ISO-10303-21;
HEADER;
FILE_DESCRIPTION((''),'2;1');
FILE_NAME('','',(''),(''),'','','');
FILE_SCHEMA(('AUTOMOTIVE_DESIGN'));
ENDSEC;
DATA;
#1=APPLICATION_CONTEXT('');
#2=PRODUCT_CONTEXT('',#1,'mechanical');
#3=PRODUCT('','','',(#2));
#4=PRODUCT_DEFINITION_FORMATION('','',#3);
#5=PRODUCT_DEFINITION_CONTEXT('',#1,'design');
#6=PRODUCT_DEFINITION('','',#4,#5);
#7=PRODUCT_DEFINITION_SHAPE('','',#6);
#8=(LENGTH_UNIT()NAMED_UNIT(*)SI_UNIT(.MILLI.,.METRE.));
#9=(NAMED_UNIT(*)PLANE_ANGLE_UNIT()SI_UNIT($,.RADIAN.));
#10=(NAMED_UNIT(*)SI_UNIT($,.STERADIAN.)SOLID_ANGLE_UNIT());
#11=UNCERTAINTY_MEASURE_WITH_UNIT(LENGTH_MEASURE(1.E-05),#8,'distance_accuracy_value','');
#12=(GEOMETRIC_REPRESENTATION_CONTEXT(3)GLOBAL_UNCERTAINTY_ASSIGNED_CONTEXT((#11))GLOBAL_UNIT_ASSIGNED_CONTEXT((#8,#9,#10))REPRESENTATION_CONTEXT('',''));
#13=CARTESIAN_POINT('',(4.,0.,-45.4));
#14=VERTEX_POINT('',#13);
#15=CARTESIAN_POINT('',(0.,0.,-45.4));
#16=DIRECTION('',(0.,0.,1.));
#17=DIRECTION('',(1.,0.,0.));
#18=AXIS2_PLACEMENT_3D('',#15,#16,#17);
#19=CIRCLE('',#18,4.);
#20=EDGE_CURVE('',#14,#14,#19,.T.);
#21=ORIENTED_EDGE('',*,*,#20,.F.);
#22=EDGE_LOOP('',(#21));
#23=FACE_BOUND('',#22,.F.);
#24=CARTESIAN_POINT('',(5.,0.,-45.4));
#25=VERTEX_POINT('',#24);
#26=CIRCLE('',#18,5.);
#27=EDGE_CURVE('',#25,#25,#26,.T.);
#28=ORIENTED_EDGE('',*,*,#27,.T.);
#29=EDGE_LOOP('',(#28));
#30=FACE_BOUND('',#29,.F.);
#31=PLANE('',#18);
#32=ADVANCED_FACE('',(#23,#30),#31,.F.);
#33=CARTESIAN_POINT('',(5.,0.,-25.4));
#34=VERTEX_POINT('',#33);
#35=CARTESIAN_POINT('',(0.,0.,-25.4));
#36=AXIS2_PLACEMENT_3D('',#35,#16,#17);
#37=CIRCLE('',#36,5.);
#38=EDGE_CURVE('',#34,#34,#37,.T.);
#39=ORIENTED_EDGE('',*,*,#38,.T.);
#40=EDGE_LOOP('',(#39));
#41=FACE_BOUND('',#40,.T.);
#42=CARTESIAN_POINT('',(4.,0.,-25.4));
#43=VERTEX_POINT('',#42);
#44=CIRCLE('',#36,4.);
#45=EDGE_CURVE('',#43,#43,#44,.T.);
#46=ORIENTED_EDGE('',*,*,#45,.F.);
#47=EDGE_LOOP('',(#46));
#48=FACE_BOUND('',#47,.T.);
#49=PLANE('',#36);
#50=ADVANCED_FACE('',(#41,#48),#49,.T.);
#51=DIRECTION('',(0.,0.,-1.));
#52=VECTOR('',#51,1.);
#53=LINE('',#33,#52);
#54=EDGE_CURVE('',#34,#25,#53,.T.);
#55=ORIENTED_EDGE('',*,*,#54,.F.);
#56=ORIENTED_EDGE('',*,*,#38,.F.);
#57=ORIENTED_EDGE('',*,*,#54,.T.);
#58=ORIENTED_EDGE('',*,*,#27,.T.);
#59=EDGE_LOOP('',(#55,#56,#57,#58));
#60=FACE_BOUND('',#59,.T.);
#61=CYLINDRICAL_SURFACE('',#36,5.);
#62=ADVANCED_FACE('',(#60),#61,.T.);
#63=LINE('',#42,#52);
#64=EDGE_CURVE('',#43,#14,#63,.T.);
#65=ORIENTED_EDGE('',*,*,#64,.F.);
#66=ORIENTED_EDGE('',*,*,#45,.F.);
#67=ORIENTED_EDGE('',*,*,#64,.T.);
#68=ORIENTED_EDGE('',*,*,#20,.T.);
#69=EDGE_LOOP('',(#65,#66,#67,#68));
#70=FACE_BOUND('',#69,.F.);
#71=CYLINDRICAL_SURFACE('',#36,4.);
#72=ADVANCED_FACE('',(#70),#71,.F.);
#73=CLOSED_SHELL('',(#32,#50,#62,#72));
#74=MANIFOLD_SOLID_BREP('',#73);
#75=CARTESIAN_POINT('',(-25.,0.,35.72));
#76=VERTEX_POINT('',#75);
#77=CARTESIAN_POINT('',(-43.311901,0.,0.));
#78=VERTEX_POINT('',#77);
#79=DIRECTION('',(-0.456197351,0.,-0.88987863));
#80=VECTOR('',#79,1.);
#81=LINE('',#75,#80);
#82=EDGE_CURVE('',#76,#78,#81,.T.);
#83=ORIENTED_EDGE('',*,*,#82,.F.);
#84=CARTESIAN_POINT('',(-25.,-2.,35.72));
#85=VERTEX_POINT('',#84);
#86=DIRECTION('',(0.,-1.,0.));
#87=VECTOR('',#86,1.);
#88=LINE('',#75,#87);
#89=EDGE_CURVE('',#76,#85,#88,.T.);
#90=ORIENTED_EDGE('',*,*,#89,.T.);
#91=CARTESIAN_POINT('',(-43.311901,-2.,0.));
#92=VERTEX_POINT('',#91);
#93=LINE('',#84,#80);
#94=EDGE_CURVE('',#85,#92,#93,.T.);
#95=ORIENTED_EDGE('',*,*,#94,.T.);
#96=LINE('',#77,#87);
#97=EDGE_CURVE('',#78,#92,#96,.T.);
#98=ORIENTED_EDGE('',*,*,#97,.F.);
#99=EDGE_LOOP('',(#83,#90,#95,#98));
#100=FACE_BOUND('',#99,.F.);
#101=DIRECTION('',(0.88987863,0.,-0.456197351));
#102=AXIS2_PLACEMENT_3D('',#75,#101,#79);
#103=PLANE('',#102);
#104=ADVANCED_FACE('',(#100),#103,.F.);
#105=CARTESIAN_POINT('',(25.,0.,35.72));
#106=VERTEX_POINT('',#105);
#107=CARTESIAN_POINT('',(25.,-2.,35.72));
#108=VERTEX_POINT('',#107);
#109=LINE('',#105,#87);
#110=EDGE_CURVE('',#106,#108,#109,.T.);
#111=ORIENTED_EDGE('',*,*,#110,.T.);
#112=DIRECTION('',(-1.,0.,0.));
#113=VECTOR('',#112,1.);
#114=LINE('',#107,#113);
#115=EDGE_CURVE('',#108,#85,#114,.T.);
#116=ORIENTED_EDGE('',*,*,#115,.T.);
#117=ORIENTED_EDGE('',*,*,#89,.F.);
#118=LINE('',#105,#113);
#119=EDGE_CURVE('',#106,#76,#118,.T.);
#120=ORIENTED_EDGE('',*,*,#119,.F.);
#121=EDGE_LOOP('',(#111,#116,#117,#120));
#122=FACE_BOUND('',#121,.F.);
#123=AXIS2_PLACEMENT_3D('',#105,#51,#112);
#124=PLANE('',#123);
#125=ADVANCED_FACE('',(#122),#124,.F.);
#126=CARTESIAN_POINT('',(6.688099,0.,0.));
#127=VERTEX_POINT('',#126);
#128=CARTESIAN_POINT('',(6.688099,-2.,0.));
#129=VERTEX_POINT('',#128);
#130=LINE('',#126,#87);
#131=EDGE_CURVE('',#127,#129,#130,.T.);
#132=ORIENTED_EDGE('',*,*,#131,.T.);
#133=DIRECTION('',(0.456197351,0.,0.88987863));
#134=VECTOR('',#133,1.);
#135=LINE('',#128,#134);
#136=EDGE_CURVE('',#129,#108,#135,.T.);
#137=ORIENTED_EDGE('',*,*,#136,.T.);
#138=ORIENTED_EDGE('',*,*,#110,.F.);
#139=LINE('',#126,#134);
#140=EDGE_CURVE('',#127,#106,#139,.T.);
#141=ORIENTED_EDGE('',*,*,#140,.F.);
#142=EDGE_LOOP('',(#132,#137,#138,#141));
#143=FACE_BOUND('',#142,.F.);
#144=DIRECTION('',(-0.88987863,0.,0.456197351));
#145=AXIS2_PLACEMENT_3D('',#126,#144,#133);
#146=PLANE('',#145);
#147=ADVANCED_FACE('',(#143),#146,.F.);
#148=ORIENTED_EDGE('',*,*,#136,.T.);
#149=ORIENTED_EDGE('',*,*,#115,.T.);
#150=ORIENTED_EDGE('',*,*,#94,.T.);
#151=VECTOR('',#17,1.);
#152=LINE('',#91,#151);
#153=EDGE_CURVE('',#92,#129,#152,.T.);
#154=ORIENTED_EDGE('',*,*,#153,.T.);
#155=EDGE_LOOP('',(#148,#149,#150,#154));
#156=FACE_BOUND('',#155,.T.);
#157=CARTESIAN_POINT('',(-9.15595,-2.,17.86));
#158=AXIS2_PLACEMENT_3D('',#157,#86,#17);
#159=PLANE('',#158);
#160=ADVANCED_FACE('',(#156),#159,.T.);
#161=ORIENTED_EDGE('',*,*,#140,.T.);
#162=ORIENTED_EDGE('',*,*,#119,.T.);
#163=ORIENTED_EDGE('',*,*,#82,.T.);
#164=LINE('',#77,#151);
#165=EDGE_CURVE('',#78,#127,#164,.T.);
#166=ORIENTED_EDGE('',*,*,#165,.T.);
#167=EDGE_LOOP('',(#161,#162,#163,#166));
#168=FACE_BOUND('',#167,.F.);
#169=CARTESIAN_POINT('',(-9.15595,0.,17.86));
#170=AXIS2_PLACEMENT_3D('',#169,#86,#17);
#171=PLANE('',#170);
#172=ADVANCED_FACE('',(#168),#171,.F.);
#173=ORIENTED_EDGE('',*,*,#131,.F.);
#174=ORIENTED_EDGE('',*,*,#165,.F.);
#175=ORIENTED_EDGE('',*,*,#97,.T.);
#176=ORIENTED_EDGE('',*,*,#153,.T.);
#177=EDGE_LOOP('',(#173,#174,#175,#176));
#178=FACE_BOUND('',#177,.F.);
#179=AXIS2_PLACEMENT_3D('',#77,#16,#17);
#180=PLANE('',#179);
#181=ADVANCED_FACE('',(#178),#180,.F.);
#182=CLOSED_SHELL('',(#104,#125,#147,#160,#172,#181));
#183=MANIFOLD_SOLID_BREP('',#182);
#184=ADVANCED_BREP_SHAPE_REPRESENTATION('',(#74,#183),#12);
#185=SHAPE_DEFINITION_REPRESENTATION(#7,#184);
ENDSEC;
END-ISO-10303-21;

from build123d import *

# Parameters (mm, degrees)
F1_DEPTH = 2
F3_R     = 5
F3_R_2   = 4
F4_DEPTH = 20


with BuildPart() as f1:
    # F0 (on Front) → F1 (new body)
    with BuildSketch(Plane.XZ):
        Polygon((25, 35.72), (0, 35.72), (-25, 35.72), (-43.311901, 0), (6.688099, 0), align=None)
    extrude(amount=F1_DEPTH)


with BuildPart() as f4:
    # F3 (on offset) → F4 (new body)
    with BuildSketch(Plane.XY.offset(-25.4)):
        Circle(F3_R)
        Circle(F3_R_2, mode=Mode.SUBTRACT)
    extrude(amount=-F4_DEPTH)


solid = Compound([f1.part, f4.part])
